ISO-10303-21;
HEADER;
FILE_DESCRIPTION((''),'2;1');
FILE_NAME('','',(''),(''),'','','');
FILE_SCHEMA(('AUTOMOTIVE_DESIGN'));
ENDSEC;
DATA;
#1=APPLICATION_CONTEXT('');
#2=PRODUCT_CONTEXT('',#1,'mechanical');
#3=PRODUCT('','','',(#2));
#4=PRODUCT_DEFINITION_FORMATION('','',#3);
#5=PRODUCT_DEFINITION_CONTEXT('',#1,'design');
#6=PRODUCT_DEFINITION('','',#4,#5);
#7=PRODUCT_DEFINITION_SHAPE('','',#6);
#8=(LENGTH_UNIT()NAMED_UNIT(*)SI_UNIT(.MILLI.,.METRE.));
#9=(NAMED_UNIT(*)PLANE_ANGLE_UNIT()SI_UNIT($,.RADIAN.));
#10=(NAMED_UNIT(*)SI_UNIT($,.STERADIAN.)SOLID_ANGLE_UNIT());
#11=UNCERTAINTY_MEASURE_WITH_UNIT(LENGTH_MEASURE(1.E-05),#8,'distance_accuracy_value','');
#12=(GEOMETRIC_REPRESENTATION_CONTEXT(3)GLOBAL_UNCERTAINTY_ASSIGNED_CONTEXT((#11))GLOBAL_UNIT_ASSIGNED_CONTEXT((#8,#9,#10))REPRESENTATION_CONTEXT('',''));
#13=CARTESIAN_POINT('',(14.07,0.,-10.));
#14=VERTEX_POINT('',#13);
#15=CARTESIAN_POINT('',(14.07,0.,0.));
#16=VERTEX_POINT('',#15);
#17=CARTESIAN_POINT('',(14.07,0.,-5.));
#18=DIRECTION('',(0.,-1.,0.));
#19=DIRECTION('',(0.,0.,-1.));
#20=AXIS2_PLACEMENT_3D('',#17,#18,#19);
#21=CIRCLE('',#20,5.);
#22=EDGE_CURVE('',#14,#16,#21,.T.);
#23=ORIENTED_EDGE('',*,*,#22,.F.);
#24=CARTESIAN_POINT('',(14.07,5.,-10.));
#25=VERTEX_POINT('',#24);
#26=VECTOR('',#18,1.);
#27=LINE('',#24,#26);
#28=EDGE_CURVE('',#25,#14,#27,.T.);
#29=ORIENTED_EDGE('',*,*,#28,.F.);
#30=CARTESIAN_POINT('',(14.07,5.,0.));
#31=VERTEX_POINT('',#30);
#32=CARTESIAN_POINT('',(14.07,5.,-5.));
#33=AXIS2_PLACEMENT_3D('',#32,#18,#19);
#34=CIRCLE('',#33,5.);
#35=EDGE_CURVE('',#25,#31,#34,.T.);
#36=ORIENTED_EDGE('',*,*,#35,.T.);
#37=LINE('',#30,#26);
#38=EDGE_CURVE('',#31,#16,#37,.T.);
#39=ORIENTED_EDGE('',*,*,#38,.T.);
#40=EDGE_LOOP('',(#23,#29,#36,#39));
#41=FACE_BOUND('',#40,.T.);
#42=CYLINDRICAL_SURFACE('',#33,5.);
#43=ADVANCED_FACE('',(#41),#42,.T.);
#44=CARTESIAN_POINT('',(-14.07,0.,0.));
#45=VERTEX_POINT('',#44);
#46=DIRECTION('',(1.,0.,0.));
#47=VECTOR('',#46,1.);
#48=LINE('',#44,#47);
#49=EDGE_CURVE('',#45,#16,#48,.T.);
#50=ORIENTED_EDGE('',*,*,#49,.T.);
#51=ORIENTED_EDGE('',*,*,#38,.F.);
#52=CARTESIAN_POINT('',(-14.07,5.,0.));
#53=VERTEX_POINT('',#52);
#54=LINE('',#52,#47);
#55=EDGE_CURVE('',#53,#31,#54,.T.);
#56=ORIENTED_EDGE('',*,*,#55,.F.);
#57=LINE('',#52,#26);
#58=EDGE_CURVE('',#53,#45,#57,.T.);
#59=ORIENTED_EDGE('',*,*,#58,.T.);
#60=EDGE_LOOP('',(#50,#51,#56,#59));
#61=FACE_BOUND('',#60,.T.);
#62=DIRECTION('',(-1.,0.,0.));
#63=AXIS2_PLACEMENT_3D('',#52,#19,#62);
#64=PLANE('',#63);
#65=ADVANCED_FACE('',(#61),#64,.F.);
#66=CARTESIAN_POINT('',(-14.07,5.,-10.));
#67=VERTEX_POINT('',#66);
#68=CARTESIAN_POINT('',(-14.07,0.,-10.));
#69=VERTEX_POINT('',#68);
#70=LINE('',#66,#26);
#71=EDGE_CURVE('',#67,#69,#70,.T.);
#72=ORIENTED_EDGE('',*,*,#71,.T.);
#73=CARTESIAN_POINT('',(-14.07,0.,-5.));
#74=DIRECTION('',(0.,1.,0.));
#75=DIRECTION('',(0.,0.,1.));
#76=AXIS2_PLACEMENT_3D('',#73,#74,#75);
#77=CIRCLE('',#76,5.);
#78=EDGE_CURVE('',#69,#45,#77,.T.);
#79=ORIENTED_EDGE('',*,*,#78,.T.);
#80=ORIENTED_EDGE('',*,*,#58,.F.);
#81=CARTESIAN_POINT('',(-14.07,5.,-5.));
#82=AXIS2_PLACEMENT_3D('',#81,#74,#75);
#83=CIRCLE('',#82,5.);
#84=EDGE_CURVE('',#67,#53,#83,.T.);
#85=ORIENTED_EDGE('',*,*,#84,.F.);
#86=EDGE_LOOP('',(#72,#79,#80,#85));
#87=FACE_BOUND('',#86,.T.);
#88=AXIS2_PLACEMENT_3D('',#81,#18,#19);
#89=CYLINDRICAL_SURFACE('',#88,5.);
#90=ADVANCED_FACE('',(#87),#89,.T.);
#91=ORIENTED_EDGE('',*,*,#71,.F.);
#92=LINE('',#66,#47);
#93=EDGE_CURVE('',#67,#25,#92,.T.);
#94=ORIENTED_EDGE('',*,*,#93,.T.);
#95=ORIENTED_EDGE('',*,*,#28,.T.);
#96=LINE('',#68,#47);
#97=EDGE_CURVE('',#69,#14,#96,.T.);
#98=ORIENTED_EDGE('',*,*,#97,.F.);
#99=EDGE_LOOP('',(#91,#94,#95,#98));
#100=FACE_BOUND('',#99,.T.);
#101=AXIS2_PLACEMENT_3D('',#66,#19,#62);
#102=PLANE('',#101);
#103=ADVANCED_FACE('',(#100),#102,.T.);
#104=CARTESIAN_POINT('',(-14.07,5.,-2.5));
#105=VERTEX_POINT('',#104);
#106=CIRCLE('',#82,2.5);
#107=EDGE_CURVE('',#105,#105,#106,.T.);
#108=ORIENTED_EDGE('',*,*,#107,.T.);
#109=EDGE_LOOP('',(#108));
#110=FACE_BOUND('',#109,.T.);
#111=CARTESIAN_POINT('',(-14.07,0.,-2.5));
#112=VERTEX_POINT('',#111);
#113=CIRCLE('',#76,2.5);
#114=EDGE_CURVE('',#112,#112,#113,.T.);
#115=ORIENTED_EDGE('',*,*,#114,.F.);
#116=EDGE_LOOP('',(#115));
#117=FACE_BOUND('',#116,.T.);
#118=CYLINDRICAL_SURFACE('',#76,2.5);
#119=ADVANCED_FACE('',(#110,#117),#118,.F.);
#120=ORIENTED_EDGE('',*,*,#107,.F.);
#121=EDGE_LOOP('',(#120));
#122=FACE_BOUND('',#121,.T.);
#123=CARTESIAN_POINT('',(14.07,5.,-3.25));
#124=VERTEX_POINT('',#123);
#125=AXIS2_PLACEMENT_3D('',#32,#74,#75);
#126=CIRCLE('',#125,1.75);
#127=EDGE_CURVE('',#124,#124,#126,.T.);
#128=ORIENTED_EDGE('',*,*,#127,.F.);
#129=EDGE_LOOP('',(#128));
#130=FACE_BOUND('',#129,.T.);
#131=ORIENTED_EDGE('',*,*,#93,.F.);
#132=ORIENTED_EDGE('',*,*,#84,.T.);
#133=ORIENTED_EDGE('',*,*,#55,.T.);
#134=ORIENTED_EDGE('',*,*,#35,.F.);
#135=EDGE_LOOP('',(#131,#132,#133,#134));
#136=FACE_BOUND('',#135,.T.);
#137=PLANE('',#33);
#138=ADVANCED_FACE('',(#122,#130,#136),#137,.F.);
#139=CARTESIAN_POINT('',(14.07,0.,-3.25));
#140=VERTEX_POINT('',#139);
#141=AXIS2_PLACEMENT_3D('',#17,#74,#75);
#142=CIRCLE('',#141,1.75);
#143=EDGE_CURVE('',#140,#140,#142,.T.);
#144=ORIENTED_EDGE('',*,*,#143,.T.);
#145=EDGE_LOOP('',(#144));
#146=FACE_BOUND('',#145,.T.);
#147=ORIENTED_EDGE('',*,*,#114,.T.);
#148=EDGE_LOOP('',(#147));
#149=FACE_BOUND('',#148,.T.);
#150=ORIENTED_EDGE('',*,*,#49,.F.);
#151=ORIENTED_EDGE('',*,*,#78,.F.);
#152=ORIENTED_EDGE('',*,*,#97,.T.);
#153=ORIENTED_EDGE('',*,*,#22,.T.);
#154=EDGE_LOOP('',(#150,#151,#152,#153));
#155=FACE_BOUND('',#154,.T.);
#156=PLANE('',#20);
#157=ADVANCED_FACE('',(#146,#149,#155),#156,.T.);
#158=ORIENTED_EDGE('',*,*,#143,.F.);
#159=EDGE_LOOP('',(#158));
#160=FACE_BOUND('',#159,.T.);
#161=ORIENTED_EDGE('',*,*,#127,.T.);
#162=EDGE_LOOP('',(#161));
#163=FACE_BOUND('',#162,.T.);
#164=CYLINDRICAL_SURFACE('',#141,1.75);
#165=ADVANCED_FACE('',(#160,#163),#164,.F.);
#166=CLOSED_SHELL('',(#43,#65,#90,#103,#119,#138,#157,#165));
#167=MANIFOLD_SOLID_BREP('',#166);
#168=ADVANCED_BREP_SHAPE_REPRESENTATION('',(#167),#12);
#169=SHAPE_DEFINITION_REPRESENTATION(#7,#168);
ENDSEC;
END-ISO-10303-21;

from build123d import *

# Parameters (mm, degrees)
DODANIE_WYCI_GNI_CIE2_DEPTH = 5
SZKIC2_R                    = 2.5
SZKIC2_R_2                  = 1.75
WYTNIJ_WYCI_GNI_CIE1_DEPTH  = 5


with BuildPart() as part:
    # Szkic1 → Dodanie-wyciągnięcie2 (new body)
    with BuildSketch(Plane(origin=(0, 0, 0), x_dir=(1, 0, 0), z_dir=(0, 1, 0))):
        with BuildLine():
            Line((-14.07, 0), (14.07, 0))
            ThreePointArc((14.07, 0), (19.07, 5), (14.07, 10))
            Line((14.07, 10), (-14.07, 10))
            ThreePointArc((-14.07, 10), (-19.07, 5), (-14.07, 0))
        make_face()
    extrude(amount=DODANIE_WYCI_GNI_CIE2_DEPTH)

    # Szkic2 → Wytnij-wyciągnięcie1 (cut)
    with BuildSketch(Plane(origin=(0, 5, 0), x_dir=(1, 0, 0), z_dir=(0, 1, 0))):
        with Locations(Location((-14.07, 5, 0), (0, 0, 270))):
            Circle(SZKIC2_R)
        with Locations(Location((14.07, 5, 0), (0, 0, 270))):
            Circle(SZKIC2_R_2)
    extrude(amount=-WYTNIJ_WYCI_GNI_CIE1_DEPTH, mode=Mode.SUBTRACT)


solid = part.part
